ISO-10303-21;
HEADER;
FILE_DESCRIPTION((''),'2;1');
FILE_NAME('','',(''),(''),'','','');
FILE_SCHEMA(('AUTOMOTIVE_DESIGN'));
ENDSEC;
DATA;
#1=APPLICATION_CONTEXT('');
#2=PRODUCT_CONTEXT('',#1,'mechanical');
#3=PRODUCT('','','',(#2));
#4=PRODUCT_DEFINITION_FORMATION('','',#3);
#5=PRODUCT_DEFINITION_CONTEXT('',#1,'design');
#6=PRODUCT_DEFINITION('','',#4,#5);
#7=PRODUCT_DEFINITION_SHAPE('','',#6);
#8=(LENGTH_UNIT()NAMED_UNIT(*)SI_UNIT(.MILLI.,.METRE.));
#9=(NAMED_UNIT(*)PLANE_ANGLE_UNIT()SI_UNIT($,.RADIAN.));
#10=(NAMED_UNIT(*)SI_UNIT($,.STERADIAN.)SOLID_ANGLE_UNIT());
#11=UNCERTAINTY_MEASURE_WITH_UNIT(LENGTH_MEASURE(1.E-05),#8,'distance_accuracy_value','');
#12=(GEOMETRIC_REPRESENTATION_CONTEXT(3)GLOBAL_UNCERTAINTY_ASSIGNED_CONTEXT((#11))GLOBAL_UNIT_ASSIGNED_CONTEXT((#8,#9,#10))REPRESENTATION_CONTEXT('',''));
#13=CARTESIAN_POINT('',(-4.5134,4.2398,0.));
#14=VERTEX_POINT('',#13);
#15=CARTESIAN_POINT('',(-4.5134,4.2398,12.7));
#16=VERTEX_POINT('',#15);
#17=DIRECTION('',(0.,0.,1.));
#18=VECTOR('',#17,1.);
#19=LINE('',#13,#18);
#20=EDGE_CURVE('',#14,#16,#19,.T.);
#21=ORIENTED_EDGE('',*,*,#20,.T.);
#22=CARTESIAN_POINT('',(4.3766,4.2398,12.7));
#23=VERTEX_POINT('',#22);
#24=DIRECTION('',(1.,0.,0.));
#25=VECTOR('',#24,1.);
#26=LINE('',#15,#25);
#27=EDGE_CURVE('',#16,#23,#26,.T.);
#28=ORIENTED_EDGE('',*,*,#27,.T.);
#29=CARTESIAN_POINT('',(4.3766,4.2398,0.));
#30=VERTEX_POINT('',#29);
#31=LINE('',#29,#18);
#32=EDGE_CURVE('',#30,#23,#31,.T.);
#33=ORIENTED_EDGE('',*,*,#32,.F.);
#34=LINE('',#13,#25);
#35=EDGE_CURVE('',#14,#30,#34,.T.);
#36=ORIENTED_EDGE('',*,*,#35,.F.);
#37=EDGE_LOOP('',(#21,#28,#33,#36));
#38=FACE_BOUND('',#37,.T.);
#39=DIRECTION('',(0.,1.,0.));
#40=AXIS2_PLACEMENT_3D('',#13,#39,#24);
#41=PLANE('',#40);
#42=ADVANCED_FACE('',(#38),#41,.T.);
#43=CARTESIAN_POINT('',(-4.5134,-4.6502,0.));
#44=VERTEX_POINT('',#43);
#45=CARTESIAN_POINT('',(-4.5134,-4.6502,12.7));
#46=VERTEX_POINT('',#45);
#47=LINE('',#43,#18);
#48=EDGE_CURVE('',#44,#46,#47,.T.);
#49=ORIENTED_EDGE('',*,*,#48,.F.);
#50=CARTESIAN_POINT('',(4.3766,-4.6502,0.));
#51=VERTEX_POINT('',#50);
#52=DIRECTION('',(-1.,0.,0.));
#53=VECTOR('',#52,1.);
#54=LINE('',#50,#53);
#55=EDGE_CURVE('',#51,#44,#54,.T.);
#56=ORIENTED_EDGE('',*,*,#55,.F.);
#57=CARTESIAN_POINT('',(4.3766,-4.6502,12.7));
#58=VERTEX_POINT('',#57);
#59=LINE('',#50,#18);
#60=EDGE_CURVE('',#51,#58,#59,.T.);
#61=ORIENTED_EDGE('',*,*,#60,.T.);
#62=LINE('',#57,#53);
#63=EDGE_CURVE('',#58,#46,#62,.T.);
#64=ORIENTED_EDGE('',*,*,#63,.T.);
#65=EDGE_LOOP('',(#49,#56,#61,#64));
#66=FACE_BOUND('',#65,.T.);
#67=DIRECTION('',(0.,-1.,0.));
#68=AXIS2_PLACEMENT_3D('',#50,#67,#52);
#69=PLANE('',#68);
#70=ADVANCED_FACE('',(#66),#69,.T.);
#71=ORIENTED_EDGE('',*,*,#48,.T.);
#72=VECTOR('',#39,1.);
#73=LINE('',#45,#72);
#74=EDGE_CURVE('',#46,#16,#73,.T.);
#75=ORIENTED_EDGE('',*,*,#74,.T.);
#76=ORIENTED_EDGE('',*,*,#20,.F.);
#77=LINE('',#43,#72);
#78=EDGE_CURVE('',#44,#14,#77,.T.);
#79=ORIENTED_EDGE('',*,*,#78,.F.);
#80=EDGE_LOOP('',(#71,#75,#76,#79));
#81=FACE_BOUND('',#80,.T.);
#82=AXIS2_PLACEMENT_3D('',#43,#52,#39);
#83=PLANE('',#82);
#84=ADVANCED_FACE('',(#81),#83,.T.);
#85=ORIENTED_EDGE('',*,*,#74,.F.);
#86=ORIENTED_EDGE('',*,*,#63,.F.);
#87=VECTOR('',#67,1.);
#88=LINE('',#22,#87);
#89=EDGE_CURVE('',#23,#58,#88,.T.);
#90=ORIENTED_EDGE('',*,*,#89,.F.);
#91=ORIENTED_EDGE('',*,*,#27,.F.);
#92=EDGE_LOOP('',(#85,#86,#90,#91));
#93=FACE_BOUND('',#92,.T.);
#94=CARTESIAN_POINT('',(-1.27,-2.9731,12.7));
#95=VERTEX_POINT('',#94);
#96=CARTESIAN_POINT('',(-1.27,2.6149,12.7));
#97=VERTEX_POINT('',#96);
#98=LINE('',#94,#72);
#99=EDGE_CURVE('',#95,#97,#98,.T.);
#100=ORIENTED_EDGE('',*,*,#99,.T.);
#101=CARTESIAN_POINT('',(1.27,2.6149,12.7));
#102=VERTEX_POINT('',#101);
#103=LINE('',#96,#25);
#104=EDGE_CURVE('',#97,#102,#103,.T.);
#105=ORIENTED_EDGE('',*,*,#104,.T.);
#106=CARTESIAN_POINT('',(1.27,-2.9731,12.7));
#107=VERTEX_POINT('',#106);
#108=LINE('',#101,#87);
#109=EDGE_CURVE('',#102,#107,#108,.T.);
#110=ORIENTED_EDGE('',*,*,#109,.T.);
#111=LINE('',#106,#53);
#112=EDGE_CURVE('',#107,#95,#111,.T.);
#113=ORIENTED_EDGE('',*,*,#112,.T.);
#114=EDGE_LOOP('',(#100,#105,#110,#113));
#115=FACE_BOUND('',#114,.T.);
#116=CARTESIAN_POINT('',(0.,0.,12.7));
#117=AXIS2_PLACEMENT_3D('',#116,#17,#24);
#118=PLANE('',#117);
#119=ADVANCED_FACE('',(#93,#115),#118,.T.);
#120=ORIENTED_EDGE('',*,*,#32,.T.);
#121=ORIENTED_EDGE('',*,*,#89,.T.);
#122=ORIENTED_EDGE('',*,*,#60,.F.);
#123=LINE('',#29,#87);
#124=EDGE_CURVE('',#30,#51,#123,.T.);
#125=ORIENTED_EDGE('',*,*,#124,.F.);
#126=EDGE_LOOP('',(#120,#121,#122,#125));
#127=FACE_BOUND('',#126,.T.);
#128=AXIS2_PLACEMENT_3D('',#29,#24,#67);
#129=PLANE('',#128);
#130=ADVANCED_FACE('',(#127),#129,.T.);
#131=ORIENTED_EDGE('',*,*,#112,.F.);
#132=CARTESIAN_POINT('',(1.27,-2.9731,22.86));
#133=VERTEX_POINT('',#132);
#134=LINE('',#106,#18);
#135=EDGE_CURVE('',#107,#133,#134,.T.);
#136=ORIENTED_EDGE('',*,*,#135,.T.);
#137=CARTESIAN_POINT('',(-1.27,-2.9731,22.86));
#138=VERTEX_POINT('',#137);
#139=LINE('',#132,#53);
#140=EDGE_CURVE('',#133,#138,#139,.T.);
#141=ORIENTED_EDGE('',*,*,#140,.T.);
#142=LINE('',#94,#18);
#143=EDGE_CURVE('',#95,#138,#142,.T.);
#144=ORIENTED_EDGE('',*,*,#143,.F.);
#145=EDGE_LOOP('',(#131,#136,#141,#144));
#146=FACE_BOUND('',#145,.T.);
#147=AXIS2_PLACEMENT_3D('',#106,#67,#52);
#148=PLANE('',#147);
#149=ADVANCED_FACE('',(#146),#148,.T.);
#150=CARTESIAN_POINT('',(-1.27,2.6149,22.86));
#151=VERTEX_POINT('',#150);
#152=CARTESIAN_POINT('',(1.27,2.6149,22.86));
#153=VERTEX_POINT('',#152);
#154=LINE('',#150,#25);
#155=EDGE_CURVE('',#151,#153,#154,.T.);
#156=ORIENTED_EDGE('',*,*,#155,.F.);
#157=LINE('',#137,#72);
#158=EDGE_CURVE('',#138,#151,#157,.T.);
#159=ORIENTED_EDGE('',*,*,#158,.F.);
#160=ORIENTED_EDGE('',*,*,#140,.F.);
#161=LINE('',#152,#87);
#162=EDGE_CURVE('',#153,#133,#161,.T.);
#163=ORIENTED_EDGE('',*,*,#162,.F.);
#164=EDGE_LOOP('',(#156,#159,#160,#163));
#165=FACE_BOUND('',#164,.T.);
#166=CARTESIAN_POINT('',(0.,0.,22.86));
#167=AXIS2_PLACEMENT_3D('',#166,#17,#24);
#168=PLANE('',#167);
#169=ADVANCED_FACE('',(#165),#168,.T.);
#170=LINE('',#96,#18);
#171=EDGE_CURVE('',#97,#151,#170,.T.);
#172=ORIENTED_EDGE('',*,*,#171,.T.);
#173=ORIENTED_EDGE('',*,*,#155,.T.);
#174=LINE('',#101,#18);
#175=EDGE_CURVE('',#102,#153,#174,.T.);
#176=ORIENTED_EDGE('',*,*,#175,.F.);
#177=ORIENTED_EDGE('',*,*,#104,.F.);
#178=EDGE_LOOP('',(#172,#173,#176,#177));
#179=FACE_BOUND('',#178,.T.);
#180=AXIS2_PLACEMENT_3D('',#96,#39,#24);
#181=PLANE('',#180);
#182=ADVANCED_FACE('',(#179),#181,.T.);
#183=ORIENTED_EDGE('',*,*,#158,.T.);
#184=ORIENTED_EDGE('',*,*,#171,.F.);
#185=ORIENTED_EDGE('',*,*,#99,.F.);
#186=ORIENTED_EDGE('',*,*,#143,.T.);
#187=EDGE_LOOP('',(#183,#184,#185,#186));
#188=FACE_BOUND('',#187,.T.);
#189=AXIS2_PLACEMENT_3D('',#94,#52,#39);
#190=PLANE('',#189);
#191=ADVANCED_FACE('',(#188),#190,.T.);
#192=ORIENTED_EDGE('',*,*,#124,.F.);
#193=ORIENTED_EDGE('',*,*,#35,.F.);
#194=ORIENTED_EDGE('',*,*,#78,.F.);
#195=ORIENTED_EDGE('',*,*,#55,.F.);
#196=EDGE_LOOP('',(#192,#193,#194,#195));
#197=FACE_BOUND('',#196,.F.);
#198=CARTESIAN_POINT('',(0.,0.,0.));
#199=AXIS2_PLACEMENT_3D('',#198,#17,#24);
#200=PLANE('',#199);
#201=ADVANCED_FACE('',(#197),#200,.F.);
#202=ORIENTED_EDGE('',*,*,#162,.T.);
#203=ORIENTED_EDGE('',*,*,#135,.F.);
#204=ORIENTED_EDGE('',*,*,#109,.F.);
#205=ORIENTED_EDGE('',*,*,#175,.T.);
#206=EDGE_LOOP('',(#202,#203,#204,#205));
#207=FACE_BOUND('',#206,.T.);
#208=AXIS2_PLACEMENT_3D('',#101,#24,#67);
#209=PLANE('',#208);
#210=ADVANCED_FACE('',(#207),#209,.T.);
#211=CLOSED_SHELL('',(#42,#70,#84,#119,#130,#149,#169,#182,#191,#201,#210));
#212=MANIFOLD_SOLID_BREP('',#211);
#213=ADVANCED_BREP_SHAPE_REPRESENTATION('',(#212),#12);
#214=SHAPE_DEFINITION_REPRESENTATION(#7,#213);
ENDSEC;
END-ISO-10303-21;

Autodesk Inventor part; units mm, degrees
ref_plane "YZ Plane" through (0, 0, 0) normal (1, 0, 0) x (0, 1, 0)
ref_plane "XZ Plane" through (0, 0, 0) normal (0, 1, 0) x (-1, 0, 0)
ref_plane "XY Plane" through (0, 0, 0) normal (0, 0, 1) x (1, 0, 0)
sketch "Sketch1" plane through (0, 0, 0) normal (0, 0, 1) x (1, 0, 0)
  line L0 (-4.5134, 4.2398) -> (4.3766, 4.2398)
  line L1 (4.3766, 4.2398) -> (4.3766, -4.6502)
  line L2 (4.3766, -4.6502) -> (-4.5134, -4.6502)
  line L3 (-4.5134, -4.6502) -> (-4.5134, 4.2398)
  point P0 (0, 0)
  dimension "d0" = 8.89
  dimension "d1" = 8.89
extrude "Extrusion1" add sketch "Sketch1" along normal blind 12.7
sketch "Sketch2" plane through (0, 0, 12.7) normal (0, 0, 1) x (1, 0, 0)
  line L0 (-1.27, 2.6149) -> (1.27, 2.6149)
  line L1 (1.27, 2.6149) -> (1.27, -2.9731)
  line L2 (1.27, -2.9731) -> (-1.27, -2.9731)
  line L3 (-1.27, -2.9731) -> (-1.27, 2.6149)
  point P0 (0, 0)
  dimension "d4" = 5.588
  dimension "d5" = 2.54
  dimension "d6" = 1.27
extrude "Extrusion2" add sketch "Sketch2" along normal blind 10.16
properties part number "PotInsert"
